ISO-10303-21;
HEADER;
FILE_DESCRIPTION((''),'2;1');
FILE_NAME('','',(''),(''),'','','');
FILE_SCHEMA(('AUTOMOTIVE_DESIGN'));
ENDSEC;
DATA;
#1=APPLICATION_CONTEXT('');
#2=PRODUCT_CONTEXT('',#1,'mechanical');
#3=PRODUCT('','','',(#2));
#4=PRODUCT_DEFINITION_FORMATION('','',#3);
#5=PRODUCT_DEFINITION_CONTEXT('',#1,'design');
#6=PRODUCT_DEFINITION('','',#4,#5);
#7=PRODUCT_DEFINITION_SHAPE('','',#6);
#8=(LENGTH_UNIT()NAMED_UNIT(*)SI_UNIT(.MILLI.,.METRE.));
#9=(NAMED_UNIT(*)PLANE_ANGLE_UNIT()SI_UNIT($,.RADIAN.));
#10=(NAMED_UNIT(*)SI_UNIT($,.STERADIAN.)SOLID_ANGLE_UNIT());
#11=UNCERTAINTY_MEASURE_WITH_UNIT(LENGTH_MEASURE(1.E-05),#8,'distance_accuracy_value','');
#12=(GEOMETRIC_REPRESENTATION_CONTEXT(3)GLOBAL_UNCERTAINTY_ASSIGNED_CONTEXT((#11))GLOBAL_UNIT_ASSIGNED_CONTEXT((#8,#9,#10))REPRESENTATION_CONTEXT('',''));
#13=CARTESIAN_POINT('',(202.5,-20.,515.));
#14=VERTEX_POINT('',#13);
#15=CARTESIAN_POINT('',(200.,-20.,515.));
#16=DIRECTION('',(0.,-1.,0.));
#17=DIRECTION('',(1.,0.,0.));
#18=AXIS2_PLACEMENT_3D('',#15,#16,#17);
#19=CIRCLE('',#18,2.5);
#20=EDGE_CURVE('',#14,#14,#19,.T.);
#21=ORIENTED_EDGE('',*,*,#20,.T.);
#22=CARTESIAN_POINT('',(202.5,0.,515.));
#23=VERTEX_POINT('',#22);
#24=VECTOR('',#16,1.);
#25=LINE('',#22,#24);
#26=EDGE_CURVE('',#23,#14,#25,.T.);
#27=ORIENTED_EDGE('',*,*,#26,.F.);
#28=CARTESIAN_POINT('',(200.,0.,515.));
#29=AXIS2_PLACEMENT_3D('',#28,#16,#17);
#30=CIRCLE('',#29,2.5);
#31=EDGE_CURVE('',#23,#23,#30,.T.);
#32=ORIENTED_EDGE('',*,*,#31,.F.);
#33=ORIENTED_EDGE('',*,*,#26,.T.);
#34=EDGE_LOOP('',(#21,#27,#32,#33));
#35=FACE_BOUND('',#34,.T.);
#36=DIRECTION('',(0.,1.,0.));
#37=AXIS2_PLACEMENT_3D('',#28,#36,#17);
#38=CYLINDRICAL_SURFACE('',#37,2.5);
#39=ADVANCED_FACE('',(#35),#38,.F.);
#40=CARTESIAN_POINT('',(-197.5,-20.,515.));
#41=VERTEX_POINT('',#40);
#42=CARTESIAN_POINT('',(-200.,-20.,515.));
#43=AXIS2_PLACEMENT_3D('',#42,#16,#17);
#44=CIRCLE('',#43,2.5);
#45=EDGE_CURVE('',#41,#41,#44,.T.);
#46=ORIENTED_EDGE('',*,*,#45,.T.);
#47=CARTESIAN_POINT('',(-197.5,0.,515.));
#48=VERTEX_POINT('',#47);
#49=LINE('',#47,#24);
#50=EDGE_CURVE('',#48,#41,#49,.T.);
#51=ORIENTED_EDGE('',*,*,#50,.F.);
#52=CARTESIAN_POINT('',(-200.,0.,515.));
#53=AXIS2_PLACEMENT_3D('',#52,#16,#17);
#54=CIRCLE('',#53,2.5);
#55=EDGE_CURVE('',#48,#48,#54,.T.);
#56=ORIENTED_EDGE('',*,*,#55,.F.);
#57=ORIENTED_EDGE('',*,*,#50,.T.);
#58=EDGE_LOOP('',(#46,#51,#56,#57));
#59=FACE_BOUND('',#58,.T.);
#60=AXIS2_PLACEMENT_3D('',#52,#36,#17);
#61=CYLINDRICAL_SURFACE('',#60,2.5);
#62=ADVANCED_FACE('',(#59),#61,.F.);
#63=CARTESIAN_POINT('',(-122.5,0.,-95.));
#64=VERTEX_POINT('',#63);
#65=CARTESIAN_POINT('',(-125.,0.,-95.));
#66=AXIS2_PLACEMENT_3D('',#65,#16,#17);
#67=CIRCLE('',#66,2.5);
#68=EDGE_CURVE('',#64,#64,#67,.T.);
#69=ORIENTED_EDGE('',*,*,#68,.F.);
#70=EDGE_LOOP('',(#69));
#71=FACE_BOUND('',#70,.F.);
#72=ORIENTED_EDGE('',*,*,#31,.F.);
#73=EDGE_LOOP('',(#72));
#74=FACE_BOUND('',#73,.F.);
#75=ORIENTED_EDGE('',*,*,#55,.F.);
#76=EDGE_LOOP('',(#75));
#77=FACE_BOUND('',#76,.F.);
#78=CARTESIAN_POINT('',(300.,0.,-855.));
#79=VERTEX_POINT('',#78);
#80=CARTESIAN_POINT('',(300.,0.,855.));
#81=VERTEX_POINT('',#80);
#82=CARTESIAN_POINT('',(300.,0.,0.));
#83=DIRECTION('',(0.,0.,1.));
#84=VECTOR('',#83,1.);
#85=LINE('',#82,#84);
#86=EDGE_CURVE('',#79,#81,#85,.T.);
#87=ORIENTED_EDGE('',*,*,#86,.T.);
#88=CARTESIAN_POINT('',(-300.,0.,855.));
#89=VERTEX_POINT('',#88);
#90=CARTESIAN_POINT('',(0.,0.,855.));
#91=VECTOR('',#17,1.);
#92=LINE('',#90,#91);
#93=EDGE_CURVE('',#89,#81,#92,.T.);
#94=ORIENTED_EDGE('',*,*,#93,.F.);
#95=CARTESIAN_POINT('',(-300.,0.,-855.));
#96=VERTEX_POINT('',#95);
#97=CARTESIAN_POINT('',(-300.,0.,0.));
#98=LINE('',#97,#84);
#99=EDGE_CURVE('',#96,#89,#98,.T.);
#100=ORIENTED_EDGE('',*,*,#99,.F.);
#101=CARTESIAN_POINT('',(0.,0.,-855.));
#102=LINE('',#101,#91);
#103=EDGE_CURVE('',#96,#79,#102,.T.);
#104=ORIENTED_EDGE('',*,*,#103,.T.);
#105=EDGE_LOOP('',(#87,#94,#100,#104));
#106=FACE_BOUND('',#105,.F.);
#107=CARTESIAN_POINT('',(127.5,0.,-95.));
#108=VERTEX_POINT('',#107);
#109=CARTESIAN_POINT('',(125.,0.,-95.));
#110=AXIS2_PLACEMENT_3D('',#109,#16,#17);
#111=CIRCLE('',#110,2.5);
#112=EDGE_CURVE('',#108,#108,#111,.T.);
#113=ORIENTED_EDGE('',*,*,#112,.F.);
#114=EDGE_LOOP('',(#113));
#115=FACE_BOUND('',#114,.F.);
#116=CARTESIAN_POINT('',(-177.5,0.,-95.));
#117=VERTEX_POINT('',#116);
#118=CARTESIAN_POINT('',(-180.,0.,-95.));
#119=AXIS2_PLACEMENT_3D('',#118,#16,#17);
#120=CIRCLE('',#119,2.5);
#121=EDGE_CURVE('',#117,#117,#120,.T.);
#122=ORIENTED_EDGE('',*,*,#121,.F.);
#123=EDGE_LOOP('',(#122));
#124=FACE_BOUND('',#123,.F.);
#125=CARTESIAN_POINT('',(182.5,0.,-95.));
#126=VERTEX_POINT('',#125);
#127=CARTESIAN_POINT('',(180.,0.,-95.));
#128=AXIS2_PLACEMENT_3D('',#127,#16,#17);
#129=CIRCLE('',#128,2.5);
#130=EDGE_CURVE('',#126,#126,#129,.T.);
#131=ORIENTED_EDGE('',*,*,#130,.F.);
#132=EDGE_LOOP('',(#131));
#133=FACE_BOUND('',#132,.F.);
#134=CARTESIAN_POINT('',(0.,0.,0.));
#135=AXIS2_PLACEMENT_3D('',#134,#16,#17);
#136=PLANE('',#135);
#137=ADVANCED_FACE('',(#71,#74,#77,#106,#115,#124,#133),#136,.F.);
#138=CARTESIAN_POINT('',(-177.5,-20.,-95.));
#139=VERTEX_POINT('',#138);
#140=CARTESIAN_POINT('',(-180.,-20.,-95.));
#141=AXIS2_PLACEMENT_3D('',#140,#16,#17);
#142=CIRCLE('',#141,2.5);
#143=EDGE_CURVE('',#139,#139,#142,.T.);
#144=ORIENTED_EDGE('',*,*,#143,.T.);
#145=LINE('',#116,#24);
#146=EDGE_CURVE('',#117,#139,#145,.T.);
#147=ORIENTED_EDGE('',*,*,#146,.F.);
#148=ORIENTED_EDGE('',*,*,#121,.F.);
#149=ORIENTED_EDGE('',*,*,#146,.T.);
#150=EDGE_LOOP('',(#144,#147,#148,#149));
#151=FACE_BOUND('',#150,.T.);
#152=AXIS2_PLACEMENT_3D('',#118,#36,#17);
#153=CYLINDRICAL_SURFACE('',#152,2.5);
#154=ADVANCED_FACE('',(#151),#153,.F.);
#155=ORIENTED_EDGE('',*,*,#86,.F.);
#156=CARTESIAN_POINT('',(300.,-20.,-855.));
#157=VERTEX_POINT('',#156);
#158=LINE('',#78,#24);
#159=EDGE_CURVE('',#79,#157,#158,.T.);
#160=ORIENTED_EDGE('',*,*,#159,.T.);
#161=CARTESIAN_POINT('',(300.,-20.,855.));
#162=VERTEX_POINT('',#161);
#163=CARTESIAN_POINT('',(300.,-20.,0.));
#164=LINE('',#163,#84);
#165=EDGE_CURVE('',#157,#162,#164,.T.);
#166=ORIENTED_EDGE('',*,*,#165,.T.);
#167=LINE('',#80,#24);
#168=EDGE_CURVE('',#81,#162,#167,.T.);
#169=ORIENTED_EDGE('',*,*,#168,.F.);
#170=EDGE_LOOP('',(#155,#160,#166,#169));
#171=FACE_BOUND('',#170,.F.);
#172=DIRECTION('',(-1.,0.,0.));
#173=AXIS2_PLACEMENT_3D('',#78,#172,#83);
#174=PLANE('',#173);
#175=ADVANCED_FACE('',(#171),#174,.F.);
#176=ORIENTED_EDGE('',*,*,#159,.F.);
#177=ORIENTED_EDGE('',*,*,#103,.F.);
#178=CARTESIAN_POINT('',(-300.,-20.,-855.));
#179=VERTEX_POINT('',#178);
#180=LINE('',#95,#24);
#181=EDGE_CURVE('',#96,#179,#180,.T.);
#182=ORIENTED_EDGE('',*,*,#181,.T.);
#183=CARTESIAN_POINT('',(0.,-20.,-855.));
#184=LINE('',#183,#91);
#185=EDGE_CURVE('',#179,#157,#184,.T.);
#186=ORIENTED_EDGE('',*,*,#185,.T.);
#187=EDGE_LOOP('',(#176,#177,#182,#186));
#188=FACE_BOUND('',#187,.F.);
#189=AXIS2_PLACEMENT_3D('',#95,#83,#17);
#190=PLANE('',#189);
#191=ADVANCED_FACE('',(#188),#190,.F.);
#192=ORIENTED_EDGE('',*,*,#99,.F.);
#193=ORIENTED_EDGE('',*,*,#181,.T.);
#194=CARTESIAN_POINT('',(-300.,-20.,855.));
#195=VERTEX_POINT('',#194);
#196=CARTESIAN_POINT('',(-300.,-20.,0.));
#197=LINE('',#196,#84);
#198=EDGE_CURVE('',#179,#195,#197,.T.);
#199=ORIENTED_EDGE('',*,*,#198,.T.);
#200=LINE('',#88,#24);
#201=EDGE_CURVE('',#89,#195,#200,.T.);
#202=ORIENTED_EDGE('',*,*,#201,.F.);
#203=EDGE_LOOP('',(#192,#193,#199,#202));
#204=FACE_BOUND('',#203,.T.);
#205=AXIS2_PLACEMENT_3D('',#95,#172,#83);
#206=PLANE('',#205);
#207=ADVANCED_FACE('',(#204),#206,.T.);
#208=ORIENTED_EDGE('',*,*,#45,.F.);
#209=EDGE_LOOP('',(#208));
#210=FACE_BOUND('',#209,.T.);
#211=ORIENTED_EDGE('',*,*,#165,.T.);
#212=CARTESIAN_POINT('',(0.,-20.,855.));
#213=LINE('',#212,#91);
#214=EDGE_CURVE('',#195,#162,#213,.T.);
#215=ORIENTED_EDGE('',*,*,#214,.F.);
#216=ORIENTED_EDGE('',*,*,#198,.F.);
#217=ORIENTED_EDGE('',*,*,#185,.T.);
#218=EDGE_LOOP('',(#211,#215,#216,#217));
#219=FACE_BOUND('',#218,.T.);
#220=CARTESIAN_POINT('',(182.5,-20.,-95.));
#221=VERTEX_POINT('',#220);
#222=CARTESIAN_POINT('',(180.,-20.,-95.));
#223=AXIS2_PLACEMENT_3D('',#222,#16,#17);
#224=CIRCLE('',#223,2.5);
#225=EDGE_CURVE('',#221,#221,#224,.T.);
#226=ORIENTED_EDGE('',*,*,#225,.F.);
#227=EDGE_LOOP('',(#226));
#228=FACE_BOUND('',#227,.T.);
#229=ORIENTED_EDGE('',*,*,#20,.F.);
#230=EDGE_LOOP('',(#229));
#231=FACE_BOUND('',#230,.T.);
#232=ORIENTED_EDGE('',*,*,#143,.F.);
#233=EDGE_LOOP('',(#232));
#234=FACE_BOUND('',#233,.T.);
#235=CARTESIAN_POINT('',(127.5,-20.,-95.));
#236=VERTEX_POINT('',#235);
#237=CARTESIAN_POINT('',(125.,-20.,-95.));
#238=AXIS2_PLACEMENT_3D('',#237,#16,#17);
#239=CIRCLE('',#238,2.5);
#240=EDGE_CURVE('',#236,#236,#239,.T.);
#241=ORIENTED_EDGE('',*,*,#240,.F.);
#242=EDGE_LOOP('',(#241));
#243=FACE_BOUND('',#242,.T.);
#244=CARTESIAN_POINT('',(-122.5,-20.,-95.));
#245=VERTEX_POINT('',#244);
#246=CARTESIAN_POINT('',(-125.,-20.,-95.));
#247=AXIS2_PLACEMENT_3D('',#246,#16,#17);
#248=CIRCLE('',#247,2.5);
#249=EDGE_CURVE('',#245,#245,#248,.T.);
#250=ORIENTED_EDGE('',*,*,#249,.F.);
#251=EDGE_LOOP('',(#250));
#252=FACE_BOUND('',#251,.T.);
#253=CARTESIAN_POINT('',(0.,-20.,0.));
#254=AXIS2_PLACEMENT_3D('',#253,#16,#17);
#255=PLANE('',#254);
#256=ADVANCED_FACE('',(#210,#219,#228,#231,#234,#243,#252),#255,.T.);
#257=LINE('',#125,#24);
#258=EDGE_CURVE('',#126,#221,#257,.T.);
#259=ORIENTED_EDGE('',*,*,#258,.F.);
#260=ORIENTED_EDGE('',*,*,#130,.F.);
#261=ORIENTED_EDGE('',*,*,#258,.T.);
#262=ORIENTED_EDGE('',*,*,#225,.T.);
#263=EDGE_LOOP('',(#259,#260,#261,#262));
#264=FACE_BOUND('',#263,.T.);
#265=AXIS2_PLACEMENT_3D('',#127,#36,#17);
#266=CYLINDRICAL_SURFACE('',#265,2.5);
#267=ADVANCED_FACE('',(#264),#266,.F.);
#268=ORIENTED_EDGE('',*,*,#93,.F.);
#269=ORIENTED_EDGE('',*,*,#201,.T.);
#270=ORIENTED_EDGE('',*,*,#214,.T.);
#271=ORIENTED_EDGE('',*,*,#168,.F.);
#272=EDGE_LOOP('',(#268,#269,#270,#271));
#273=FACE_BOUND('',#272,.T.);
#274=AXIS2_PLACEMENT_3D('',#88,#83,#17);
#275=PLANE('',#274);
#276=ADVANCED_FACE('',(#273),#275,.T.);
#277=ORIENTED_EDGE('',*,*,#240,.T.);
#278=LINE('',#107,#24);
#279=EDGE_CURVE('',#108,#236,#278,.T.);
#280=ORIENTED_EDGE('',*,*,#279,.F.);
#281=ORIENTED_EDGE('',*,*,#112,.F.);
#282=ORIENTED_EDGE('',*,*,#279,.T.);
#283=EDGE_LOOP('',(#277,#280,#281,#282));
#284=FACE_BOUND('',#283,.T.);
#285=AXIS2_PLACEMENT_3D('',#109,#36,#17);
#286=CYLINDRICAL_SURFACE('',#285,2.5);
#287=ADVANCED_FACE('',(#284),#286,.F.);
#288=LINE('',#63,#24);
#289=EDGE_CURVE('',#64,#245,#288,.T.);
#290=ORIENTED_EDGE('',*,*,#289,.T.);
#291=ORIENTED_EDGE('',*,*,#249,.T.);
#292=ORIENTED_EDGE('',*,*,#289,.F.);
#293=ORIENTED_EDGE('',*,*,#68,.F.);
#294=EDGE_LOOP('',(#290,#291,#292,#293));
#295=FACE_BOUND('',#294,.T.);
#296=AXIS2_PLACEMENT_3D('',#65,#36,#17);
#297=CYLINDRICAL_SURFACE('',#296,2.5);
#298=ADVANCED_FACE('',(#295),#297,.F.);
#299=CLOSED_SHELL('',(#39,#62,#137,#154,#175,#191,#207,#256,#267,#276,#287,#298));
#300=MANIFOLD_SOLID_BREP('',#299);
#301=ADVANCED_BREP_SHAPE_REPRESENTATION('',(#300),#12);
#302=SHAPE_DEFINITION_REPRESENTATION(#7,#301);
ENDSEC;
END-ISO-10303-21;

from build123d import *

# Parameters (mm, degrees)
F0_W     = 600
F0_H     = 1710
F0_R     = 2.5
F1_DEPTH = 20


with BuildPart() as f1:
    # F0 (on Front) → F1 (new body)
    with BuildSketch(Plane.XZ):
        Rectangle(F0_W, F0_H)
        with Locations((-180, -95)):
            Circle(F0_R, mode=Mode.SUBTRACT)
        with Locations((-125, -95)):
            Circle(F0_R, mode=Mode.SUBTRACT)
        with Locations((125, -95)):
            Circle(F0_R, mode=Mode.SUBTRACT)
        with Locations((180, -95)):
            Circle(F0_R, mode=Mode.SUBTRACT)
        with Locations((-200, 515)):
            Circle(F0_R, mode=Mode.SUBTRACT)
        with Locations((200, 515)):
            Circle(F0_R, mode=Mode.SUBTRACT)
    extrude(amount=F1_DEPTH)


solid = f1.part
